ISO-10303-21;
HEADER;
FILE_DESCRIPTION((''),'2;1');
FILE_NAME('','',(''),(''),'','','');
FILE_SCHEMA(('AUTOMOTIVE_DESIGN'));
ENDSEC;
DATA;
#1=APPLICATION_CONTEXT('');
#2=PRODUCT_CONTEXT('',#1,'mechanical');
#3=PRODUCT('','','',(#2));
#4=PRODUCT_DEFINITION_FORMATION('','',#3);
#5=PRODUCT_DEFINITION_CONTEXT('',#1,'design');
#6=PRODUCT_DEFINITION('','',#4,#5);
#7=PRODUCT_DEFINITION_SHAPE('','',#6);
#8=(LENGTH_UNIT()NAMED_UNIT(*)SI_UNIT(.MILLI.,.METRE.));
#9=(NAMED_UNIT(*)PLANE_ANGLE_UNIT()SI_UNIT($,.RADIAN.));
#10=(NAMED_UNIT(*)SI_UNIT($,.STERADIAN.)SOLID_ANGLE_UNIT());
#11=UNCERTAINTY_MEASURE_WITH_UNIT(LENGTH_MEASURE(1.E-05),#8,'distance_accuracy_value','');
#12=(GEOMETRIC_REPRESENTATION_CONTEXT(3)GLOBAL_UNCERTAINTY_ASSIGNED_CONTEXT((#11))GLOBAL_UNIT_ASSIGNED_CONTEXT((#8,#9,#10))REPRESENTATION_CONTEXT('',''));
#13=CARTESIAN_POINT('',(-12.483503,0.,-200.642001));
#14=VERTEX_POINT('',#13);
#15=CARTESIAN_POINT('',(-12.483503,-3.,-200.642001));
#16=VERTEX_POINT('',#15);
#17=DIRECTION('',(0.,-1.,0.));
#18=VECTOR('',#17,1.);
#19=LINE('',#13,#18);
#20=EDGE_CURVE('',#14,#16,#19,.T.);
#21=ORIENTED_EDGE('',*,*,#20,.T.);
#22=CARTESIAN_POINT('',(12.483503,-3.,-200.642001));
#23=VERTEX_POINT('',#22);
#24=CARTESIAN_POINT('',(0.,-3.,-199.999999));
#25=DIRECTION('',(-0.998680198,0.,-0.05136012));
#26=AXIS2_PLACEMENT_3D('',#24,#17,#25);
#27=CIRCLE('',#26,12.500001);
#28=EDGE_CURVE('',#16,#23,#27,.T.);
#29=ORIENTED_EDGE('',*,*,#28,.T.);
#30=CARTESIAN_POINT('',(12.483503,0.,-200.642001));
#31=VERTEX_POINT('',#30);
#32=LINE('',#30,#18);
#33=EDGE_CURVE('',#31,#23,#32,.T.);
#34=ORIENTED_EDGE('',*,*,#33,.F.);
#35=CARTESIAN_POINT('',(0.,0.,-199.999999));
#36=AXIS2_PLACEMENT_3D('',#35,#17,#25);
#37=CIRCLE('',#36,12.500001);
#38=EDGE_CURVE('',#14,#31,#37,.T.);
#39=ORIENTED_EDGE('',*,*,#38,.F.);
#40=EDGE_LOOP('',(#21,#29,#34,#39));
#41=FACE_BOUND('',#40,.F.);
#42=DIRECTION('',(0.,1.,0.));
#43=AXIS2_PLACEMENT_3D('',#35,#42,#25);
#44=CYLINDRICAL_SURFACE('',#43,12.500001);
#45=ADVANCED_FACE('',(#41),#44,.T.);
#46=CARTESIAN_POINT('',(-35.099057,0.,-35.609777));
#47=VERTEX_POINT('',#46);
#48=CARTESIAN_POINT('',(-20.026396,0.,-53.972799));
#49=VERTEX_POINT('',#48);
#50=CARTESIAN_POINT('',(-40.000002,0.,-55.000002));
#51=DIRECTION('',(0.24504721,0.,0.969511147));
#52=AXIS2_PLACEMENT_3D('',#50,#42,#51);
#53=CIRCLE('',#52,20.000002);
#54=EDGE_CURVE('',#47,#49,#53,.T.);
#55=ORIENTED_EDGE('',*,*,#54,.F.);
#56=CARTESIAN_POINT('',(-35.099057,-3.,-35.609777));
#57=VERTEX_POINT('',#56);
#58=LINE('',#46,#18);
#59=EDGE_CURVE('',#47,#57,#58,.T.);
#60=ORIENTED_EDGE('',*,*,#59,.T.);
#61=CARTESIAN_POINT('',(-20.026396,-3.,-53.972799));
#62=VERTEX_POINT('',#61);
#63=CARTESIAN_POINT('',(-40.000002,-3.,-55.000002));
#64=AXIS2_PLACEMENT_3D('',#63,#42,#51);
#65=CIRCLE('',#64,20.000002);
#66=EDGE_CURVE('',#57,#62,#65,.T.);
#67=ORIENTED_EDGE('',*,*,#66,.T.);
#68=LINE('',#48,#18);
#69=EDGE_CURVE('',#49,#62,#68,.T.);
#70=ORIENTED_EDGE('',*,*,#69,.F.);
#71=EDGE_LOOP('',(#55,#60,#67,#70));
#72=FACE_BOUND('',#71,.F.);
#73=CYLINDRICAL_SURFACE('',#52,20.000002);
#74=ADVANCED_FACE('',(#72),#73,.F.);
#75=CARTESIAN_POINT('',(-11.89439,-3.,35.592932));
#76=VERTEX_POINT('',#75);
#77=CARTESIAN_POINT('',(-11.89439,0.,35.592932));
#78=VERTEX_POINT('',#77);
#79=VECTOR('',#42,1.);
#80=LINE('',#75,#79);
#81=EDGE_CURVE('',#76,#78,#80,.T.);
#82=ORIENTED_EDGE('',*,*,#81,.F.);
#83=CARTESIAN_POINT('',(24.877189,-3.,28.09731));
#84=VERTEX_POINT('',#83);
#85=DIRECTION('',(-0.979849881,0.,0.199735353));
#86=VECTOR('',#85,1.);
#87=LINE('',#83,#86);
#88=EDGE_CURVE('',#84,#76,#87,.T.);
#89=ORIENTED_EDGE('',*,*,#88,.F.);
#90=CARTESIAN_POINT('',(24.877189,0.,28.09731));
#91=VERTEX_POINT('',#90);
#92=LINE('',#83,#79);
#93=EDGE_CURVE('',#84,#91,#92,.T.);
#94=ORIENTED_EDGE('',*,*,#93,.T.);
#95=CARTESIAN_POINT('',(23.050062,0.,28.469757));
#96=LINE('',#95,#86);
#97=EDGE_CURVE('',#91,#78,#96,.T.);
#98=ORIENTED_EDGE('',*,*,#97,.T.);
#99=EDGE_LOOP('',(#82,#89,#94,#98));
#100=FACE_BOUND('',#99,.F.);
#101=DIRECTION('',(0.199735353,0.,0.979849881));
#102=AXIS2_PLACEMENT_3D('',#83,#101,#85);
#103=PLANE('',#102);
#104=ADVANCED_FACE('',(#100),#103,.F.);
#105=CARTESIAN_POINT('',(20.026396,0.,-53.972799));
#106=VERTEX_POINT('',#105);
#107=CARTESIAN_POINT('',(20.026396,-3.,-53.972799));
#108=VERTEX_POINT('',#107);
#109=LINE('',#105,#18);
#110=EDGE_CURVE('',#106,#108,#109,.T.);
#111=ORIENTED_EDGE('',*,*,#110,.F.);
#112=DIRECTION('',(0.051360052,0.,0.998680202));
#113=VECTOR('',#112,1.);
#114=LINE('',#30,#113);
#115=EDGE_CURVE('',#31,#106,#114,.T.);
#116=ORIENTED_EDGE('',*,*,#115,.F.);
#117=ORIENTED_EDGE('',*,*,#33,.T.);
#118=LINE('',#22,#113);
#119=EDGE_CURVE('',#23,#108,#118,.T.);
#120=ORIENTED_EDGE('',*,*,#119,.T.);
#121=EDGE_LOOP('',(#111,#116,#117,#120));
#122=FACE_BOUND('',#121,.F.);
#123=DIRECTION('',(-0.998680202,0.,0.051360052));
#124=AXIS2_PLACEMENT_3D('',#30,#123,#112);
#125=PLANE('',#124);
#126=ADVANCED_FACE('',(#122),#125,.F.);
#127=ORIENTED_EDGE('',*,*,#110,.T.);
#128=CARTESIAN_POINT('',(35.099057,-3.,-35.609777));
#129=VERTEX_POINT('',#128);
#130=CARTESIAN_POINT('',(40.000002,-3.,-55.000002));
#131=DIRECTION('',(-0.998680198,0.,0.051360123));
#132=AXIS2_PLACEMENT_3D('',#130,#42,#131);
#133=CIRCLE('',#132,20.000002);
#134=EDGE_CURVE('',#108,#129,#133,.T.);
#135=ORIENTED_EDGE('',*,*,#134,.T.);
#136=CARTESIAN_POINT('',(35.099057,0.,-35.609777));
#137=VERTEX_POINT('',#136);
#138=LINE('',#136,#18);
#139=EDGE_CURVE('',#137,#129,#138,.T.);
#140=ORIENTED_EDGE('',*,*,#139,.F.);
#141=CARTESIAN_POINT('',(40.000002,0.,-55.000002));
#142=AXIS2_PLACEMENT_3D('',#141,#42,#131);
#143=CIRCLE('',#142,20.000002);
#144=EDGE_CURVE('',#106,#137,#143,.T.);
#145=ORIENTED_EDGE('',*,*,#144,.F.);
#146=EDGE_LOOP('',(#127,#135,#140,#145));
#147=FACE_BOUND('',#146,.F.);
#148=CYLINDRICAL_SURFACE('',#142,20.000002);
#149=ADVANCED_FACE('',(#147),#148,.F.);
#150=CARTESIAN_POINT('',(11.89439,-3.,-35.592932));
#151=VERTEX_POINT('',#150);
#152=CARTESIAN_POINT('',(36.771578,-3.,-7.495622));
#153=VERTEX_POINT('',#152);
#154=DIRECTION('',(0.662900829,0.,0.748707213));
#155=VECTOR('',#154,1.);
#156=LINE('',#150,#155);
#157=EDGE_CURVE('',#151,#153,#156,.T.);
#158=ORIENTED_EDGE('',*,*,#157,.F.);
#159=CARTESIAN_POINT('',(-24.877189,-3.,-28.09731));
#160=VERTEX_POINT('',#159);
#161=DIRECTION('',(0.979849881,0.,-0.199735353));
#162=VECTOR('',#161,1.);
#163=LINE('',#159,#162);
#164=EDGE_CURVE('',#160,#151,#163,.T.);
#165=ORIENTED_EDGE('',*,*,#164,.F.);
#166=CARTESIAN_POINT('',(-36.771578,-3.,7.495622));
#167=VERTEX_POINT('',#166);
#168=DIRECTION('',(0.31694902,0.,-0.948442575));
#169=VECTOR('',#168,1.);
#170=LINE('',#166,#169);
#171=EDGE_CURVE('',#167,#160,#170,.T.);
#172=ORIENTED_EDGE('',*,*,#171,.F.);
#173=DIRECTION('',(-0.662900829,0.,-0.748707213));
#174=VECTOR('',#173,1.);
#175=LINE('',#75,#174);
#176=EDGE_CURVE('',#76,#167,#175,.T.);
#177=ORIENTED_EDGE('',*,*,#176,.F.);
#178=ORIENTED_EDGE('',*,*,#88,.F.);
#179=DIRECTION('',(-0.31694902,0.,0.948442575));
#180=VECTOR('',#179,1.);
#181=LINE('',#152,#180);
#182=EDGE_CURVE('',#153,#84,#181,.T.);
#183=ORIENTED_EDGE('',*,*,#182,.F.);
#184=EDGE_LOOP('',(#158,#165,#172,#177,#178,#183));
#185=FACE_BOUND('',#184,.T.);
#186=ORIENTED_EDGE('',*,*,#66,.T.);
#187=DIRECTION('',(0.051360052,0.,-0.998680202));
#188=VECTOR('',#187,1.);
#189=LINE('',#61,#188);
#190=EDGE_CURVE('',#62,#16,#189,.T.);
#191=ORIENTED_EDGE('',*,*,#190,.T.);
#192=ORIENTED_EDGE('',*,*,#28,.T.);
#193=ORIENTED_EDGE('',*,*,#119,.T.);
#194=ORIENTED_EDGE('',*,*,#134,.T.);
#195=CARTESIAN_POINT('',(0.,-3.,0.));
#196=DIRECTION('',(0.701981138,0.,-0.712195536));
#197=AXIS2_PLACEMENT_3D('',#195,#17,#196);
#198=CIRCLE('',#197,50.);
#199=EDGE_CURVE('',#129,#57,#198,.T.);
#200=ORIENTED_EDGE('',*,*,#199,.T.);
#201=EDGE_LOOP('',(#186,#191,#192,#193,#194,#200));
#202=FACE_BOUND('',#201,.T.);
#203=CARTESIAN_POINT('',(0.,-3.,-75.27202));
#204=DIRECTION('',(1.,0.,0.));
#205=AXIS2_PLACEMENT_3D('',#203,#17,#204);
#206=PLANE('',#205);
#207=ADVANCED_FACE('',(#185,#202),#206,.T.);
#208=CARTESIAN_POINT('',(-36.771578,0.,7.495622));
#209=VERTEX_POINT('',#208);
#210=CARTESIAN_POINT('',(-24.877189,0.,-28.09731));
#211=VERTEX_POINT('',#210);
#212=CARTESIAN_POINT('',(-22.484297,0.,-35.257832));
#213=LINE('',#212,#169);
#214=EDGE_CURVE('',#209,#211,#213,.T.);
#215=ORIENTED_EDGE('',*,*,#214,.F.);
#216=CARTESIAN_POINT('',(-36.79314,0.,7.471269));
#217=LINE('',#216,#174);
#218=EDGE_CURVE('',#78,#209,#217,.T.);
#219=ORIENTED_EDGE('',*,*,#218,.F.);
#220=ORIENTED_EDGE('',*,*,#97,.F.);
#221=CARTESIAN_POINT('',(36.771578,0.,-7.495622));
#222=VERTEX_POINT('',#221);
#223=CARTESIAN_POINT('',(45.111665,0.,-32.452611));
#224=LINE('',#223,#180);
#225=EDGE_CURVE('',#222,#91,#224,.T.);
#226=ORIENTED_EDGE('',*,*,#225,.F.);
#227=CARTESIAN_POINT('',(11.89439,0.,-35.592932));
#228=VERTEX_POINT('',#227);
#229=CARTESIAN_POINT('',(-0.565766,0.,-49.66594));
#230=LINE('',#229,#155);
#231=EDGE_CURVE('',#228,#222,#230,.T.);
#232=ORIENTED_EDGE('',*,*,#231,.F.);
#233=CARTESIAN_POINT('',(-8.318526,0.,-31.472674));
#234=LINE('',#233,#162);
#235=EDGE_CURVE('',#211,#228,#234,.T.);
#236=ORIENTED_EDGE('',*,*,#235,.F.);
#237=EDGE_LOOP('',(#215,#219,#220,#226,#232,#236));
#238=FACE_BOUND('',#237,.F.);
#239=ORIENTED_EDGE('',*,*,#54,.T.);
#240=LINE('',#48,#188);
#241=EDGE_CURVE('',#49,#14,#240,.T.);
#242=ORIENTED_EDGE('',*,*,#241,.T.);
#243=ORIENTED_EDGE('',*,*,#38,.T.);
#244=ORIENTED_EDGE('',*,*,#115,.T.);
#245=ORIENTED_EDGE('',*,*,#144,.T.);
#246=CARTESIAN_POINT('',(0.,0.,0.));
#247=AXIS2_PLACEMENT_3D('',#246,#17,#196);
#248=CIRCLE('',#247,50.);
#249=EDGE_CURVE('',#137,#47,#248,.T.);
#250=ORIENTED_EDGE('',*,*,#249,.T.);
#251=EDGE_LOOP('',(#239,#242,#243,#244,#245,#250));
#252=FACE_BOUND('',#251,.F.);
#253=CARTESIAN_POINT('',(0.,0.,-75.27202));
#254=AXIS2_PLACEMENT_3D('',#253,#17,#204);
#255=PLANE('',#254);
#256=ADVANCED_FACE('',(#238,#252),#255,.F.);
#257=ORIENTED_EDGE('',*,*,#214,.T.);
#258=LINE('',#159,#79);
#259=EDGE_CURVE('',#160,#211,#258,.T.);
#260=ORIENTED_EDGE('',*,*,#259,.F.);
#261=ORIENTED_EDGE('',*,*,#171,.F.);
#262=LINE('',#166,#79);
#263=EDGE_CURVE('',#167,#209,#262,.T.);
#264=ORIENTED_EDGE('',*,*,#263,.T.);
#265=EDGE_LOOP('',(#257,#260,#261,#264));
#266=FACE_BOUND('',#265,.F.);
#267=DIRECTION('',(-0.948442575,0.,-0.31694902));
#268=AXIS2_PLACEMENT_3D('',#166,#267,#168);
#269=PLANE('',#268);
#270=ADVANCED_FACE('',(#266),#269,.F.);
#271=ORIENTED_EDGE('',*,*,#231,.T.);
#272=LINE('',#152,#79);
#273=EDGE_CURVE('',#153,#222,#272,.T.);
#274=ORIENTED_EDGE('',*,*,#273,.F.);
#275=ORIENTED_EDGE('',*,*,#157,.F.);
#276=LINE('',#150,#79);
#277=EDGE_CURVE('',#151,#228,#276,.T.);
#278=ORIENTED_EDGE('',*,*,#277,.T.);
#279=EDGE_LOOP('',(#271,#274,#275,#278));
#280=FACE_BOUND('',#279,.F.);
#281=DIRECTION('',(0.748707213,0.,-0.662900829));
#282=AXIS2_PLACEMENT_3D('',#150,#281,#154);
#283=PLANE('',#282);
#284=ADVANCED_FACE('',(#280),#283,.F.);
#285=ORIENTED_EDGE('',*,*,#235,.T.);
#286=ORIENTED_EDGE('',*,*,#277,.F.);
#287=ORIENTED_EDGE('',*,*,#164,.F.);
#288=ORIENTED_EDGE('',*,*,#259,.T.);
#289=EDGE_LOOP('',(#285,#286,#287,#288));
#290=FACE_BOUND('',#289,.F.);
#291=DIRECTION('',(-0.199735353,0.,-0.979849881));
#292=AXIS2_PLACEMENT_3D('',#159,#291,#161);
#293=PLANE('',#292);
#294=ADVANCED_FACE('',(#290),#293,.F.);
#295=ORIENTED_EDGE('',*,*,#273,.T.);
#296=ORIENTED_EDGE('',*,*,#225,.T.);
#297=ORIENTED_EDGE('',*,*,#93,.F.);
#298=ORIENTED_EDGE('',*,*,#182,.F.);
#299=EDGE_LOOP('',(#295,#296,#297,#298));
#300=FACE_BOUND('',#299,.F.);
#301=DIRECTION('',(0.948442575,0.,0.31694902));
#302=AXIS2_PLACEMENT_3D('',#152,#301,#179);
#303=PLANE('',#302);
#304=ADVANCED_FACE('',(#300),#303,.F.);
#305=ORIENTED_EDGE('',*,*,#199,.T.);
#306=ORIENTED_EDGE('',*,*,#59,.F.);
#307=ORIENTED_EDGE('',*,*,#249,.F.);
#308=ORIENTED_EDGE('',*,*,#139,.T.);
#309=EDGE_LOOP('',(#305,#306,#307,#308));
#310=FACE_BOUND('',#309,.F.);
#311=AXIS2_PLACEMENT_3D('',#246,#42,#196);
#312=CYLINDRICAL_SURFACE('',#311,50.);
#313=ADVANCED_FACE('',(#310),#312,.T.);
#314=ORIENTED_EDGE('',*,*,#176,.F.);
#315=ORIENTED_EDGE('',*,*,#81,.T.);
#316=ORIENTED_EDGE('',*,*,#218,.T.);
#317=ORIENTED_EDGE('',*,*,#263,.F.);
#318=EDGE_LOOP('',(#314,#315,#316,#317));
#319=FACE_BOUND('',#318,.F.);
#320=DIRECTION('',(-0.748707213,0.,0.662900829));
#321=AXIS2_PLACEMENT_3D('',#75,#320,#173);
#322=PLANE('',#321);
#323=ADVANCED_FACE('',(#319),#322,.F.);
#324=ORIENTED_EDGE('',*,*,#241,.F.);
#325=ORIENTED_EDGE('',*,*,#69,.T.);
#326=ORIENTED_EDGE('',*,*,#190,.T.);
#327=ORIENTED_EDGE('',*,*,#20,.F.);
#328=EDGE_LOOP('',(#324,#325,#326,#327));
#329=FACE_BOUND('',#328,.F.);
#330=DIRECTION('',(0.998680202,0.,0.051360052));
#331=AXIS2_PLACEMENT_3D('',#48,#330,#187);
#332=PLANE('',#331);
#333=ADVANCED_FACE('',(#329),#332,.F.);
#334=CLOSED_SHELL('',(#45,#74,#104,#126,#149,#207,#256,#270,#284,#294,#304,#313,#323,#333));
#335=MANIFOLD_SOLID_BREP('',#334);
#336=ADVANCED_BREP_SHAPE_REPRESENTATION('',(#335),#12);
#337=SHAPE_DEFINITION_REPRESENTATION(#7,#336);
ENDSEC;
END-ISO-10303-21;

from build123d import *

# Parameters (mm, degrees)
F2_DEPTH = 3
F4_DEPTH = 25


with BuildPart() as f2:
    # F1 (on Front) → F2 (new body)
    with BuildSketch(Plane.XZ):
        with BuildLine():
            ThreePointArc((-35.099057, -35.609777), (-24.540831, -42.310868), (-20.026396, -53.972799))
            Line((-20.026396, -53.972799), (-12.483503, -200.642001))
            ThreePointArc((-12.483503, -200.642001), (0, -212.5), (12.483503, -200.642001))
            Line((12.483503, -200.642001), (20.026396, -53.972799))
            ThreePointArc((20.026396, -53.972799), (24.540831, -42.310868), (35.099057, -35.609777))
            ThreePointArc((35.099057, -35.609777), (0, 50), (-35.099057, -35.609777))
        make_face()
    extrude(amount=F2_DEPTH)

    # F3 (on face) → F4 (cut)
    with BuildSketch(Plane.XZ.offset(3)):
        Polygon((-24.877189, -28.09731), (11.89439, -35.592932), (36.771578, -7.495622), (24.877189, 28.09731), (-11.89439, 35.592932), (-36.771578, 7.495622), align=None)
    extrude(amount=-F4_DEPTH, mode=Mode.SUBTRACT)


solid = f2.part
